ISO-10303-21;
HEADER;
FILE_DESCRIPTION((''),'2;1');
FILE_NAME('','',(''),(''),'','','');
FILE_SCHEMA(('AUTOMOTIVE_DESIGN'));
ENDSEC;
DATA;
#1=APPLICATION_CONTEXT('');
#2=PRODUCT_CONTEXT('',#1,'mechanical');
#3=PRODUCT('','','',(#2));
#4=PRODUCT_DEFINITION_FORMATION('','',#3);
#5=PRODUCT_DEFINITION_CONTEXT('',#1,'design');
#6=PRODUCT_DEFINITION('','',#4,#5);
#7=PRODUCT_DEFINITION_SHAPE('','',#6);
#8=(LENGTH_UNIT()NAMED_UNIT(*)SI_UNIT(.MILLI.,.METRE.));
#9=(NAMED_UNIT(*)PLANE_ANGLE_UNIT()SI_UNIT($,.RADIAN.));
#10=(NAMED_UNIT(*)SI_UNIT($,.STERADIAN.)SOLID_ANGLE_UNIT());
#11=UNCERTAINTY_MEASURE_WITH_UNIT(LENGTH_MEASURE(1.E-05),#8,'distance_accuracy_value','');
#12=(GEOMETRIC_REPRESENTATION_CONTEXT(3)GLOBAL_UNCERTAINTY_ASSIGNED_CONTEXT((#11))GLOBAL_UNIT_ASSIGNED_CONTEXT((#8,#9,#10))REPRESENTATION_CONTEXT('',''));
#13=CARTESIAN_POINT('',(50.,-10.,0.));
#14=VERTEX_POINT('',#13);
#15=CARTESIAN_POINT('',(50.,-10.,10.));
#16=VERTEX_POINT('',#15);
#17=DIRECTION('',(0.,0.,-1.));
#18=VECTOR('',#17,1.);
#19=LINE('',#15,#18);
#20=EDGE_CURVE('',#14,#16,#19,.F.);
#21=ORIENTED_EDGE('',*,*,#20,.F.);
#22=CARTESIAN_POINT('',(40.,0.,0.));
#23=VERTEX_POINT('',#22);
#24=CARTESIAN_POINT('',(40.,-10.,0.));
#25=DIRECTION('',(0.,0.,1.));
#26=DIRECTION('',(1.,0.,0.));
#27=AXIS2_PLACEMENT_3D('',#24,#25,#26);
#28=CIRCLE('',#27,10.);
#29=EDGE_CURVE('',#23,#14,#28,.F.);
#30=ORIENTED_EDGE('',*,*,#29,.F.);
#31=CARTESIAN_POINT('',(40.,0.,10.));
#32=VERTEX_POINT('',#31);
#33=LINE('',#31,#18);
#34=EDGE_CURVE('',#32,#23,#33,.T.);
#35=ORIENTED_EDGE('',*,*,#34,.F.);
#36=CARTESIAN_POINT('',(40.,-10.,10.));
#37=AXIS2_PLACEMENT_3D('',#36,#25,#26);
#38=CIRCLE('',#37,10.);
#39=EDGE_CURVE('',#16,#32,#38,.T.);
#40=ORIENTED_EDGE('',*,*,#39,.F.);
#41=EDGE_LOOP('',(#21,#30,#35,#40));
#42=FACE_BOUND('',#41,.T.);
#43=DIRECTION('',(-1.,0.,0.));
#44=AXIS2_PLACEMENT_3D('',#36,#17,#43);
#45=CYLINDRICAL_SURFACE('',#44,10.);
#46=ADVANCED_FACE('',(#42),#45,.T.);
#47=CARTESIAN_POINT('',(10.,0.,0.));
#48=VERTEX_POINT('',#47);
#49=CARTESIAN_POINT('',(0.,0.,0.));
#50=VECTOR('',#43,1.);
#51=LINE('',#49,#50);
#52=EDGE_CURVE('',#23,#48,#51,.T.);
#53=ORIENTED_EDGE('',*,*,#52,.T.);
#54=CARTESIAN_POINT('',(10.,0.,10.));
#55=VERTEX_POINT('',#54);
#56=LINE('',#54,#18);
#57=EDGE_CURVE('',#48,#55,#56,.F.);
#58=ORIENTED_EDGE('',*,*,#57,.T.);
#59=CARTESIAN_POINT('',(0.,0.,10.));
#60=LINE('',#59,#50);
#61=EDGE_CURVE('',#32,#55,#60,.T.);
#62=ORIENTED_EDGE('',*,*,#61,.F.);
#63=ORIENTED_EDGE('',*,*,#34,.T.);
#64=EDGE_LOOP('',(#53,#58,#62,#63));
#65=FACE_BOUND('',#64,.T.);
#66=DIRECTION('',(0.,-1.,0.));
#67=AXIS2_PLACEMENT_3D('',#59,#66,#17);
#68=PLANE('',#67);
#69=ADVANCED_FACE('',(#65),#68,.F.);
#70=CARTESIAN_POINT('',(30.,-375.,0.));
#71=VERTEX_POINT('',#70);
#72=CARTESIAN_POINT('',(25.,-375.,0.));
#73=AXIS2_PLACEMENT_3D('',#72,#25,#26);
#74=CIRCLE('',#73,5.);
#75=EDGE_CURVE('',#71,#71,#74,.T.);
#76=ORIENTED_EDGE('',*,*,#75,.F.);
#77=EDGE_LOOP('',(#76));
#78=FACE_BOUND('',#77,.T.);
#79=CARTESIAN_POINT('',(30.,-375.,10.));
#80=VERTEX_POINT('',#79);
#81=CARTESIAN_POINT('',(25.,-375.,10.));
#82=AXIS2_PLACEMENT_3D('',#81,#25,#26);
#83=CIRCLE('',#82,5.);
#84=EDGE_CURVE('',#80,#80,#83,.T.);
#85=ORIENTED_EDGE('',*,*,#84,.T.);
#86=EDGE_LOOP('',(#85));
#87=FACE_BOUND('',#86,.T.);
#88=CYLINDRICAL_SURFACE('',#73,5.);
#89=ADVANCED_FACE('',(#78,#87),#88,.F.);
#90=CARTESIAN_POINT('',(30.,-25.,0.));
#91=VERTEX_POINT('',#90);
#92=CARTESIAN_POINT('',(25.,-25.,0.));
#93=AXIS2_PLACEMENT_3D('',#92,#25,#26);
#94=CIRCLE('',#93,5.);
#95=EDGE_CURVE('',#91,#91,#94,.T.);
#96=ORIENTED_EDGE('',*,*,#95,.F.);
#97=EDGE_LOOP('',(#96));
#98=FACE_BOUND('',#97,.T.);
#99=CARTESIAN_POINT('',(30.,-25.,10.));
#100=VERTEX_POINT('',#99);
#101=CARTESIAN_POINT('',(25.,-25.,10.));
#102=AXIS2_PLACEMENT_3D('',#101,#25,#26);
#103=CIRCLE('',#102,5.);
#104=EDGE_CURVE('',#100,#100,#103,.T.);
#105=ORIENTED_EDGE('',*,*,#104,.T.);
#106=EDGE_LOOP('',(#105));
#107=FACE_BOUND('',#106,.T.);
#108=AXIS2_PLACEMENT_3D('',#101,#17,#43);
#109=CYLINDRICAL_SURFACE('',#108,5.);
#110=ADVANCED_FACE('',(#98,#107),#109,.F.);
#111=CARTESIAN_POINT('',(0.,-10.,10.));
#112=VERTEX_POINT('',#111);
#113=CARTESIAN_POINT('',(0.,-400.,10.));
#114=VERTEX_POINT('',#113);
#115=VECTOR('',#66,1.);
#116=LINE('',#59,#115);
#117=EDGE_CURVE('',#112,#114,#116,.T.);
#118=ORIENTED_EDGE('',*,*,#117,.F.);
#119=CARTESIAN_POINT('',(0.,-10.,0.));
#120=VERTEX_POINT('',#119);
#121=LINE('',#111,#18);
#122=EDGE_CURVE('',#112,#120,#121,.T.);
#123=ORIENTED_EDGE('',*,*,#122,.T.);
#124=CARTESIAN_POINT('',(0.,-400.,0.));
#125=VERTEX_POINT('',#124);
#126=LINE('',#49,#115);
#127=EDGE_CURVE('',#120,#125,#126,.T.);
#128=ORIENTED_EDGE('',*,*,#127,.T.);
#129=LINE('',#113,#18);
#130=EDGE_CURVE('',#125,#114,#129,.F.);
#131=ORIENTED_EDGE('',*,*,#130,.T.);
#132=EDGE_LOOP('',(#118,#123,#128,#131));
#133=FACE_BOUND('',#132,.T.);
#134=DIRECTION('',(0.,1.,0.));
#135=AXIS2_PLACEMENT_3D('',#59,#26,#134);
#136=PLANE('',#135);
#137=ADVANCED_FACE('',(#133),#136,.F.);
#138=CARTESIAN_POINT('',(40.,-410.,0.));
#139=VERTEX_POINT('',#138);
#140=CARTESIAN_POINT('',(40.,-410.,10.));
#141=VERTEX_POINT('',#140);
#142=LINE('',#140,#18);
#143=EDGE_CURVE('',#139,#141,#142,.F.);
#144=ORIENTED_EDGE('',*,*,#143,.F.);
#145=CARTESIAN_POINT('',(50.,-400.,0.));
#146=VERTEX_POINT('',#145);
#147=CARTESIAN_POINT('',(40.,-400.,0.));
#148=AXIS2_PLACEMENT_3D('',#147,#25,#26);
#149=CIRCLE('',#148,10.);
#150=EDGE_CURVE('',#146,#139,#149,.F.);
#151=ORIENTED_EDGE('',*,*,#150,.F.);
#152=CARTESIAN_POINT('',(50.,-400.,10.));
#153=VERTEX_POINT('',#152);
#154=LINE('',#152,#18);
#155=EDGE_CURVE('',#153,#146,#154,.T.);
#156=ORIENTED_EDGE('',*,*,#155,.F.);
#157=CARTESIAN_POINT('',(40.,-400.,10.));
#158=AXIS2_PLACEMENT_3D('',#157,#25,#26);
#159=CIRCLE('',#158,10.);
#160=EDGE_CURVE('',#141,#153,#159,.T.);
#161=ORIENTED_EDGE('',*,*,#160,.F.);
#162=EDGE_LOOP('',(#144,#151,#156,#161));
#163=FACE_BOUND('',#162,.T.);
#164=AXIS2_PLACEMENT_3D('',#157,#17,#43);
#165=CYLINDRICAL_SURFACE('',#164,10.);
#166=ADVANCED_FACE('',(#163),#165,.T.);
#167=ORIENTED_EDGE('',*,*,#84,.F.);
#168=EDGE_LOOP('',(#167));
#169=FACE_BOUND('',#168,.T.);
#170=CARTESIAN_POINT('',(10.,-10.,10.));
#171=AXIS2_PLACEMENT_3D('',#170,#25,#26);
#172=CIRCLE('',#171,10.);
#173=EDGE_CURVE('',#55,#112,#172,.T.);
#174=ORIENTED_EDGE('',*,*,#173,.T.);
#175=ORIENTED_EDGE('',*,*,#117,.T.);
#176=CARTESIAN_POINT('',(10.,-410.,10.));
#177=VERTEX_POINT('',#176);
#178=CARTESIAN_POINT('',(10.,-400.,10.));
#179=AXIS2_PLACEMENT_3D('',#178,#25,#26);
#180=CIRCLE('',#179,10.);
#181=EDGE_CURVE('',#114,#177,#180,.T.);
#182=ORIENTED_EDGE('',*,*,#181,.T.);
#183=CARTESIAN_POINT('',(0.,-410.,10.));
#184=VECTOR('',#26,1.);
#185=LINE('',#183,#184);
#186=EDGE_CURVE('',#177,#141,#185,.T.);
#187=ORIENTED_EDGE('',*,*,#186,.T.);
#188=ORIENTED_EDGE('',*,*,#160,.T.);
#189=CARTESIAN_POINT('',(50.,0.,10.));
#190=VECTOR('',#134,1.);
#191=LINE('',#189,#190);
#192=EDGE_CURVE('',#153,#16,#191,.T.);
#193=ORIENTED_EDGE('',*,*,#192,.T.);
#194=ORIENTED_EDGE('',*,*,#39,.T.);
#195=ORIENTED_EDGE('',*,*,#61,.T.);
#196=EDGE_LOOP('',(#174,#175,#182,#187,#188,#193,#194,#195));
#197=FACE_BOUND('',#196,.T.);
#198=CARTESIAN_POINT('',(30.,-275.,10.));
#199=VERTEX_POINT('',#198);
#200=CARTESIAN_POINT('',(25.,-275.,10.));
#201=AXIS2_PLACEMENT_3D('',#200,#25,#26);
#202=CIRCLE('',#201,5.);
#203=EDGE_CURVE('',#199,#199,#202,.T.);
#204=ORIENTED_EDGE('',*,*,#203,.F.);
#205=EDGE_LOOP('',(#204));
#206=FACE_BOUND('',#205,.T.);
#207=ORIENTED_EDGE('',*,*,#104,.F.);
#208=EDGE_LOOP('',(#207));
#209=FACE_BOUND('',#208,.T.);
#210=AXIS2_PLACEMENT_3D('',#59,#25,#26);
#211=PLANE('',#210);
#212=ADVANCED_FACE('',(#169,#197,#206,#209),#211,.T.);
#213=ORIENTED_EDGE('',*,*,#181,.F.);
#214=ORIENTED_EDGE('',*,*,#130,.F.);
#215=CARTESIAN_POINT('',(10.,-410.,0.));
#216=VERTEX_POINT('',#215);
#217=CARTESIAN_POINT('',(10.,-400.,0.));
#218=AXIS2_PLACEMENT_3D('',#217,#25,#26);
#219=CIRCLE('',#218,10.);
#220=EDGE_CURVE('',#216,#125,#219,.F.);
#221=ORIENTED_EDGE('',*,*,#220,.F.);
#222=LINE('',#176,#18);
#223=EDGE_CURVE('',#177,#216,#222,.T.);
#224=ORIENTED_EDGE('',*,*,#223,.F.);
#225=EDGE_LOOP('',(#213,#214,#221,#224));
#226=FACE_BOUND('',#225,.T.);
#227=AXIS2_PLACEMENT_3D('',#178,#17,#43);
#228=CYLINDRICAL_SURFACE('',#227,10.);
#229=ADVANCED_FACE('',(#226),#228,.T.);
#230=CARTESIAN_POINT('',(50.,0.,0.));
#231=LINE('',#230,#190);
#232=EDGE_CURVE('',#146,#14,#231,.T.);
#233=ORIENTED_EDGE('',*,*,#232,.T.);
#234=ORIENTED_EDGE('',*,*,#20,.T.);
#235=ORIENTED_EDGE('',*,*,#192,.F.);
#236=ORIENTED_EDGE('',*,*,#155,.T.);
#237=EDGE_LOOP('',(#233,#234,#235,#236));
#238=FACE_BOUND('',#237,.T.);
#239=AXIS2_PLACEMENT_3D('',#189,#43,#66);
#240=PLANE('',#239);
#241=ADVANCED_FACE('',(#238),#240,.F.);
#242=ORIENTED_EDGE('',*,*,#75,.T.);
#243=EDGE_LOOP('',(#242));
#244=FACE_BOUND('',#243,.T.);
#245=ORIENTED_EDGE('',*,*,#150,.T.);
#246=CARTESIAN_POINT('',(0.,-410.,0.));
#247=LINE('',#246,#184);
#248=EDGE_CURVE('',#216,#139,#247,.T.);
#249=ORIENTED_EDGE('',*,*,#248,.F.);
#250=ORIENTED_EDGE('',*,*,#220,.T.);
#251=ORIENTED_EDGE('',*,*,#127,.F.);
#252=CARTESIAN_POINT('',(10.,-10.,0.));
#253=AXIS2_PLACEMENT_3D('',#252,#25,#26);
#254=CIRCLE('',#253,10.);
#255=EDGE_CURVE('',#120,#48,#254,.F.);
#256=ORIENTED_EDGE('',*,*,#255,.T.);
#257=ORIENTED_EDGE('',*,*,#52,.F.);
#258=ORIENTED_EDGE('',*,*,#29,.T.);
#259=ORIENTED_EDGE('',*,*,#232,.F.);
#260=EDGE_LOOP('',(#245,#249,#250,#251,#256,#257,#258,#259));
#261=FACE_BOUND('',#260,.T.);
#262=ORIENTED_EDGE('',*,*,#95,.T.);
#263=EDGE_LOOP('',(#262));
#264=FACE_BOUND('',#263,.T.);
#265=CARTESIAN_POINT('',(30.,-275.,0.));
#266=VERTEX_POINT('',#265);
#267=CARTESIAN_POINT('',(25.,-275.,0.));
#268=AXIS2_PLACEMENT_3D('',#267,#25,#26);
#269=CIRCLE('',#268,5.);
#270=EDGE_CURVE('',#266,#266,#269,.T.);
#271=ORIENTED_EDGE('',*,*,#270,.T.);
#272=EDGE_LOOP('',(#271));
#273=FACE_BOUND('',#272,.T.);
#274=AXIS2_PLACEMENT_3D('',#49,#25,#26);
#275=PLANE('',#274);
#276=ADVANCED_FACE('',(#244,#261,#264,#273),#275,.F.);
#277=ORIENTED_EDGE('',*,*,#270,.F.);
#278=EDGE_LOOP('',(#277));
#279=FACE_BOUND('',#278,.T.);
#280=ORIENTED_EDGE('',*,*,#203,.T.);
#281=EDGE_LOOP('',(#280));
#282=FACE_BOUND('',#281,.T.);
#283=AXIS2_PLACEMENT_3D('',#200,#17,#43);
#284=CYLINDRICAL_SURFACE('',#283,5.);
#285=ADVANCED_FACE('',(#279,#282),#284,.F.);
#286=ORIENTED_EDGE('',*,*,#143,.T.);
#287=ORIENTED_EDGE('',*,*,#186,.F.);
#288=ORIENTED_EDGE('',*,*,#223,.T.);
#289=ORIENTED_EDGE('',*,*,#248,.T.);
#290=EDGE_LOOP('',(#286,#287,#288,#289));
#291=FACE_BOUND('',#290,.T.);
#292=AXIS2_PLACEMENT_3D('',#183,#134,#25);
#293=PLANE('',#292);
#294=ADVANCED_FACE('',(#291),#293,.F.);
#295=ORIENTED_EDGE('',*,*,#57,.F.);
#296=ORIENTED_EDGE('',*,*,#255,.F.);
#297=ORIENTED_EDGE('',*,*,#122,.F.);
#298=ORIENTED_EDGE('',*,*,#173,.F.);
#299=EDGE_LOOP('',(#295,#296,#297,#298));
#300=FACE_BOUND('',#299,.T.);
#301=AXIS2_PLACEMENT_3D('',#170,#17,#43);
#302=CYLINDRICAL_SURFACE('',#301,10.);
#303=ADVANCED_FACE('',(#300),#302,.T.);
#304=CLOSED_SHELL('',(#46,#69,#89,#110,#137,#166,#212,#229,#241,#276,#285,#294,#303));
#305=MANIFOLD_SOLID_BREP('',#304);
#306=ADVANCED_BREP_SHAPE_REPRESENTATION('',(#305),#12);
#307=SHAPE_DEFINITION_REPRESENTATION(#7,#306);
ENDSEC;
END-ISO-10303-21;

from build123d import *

# Parameters (mm, degrees)
SKETCH1_W           = 50
SKETCH1_H           = 410
SKETCH1_R           = 5
BOSS_EXTRUDE1_DEPTH = 10
FILLET1_R           = 10
SKETCH2_R           = 5
CUT_EXTRUDE1_DEPTH  = 10


with BuildPart() as part:
    # Sketch1 → Boss-Extrude1 (new body)
    with BuildSketch(Plane.XY):
        with Locations((25, -205)):
            Rectangle(SKETCH1_W, SKETCH1_H)
        with Locations((25, -275)):
            Circle(SKETCH1_R, mode=Mode.SUBTRACT)
        with Locations((25, -25)):
            Circle(SKETCH1_R, mode=Mode.SUBTRACT)
    extrude(amount=BOSS_EXTRUDE1_DEPTH)

    # Fillet1
    fillet1_edges = [part.edges().sort_by_distance(p)[0] for p in [
        (0, 0, 5),
        (50, 0, 5),
        (50, -410, 5),
        (0, -410, 5),
    ]]
    fillet(fillet1_edges, radius=FILLET1_R)

    # Sketch2 → Cut-Extrude1 (cut)
    with BuildSketch(Plane.XY.offset(10)):
        with Locations((25, -375)):
            Circle(SKETCH2_R)
    extrude(amount=-CUT_EXTRUDE1_DEPTH, mode=Mode.SUBTRACT)


solid = part.part
